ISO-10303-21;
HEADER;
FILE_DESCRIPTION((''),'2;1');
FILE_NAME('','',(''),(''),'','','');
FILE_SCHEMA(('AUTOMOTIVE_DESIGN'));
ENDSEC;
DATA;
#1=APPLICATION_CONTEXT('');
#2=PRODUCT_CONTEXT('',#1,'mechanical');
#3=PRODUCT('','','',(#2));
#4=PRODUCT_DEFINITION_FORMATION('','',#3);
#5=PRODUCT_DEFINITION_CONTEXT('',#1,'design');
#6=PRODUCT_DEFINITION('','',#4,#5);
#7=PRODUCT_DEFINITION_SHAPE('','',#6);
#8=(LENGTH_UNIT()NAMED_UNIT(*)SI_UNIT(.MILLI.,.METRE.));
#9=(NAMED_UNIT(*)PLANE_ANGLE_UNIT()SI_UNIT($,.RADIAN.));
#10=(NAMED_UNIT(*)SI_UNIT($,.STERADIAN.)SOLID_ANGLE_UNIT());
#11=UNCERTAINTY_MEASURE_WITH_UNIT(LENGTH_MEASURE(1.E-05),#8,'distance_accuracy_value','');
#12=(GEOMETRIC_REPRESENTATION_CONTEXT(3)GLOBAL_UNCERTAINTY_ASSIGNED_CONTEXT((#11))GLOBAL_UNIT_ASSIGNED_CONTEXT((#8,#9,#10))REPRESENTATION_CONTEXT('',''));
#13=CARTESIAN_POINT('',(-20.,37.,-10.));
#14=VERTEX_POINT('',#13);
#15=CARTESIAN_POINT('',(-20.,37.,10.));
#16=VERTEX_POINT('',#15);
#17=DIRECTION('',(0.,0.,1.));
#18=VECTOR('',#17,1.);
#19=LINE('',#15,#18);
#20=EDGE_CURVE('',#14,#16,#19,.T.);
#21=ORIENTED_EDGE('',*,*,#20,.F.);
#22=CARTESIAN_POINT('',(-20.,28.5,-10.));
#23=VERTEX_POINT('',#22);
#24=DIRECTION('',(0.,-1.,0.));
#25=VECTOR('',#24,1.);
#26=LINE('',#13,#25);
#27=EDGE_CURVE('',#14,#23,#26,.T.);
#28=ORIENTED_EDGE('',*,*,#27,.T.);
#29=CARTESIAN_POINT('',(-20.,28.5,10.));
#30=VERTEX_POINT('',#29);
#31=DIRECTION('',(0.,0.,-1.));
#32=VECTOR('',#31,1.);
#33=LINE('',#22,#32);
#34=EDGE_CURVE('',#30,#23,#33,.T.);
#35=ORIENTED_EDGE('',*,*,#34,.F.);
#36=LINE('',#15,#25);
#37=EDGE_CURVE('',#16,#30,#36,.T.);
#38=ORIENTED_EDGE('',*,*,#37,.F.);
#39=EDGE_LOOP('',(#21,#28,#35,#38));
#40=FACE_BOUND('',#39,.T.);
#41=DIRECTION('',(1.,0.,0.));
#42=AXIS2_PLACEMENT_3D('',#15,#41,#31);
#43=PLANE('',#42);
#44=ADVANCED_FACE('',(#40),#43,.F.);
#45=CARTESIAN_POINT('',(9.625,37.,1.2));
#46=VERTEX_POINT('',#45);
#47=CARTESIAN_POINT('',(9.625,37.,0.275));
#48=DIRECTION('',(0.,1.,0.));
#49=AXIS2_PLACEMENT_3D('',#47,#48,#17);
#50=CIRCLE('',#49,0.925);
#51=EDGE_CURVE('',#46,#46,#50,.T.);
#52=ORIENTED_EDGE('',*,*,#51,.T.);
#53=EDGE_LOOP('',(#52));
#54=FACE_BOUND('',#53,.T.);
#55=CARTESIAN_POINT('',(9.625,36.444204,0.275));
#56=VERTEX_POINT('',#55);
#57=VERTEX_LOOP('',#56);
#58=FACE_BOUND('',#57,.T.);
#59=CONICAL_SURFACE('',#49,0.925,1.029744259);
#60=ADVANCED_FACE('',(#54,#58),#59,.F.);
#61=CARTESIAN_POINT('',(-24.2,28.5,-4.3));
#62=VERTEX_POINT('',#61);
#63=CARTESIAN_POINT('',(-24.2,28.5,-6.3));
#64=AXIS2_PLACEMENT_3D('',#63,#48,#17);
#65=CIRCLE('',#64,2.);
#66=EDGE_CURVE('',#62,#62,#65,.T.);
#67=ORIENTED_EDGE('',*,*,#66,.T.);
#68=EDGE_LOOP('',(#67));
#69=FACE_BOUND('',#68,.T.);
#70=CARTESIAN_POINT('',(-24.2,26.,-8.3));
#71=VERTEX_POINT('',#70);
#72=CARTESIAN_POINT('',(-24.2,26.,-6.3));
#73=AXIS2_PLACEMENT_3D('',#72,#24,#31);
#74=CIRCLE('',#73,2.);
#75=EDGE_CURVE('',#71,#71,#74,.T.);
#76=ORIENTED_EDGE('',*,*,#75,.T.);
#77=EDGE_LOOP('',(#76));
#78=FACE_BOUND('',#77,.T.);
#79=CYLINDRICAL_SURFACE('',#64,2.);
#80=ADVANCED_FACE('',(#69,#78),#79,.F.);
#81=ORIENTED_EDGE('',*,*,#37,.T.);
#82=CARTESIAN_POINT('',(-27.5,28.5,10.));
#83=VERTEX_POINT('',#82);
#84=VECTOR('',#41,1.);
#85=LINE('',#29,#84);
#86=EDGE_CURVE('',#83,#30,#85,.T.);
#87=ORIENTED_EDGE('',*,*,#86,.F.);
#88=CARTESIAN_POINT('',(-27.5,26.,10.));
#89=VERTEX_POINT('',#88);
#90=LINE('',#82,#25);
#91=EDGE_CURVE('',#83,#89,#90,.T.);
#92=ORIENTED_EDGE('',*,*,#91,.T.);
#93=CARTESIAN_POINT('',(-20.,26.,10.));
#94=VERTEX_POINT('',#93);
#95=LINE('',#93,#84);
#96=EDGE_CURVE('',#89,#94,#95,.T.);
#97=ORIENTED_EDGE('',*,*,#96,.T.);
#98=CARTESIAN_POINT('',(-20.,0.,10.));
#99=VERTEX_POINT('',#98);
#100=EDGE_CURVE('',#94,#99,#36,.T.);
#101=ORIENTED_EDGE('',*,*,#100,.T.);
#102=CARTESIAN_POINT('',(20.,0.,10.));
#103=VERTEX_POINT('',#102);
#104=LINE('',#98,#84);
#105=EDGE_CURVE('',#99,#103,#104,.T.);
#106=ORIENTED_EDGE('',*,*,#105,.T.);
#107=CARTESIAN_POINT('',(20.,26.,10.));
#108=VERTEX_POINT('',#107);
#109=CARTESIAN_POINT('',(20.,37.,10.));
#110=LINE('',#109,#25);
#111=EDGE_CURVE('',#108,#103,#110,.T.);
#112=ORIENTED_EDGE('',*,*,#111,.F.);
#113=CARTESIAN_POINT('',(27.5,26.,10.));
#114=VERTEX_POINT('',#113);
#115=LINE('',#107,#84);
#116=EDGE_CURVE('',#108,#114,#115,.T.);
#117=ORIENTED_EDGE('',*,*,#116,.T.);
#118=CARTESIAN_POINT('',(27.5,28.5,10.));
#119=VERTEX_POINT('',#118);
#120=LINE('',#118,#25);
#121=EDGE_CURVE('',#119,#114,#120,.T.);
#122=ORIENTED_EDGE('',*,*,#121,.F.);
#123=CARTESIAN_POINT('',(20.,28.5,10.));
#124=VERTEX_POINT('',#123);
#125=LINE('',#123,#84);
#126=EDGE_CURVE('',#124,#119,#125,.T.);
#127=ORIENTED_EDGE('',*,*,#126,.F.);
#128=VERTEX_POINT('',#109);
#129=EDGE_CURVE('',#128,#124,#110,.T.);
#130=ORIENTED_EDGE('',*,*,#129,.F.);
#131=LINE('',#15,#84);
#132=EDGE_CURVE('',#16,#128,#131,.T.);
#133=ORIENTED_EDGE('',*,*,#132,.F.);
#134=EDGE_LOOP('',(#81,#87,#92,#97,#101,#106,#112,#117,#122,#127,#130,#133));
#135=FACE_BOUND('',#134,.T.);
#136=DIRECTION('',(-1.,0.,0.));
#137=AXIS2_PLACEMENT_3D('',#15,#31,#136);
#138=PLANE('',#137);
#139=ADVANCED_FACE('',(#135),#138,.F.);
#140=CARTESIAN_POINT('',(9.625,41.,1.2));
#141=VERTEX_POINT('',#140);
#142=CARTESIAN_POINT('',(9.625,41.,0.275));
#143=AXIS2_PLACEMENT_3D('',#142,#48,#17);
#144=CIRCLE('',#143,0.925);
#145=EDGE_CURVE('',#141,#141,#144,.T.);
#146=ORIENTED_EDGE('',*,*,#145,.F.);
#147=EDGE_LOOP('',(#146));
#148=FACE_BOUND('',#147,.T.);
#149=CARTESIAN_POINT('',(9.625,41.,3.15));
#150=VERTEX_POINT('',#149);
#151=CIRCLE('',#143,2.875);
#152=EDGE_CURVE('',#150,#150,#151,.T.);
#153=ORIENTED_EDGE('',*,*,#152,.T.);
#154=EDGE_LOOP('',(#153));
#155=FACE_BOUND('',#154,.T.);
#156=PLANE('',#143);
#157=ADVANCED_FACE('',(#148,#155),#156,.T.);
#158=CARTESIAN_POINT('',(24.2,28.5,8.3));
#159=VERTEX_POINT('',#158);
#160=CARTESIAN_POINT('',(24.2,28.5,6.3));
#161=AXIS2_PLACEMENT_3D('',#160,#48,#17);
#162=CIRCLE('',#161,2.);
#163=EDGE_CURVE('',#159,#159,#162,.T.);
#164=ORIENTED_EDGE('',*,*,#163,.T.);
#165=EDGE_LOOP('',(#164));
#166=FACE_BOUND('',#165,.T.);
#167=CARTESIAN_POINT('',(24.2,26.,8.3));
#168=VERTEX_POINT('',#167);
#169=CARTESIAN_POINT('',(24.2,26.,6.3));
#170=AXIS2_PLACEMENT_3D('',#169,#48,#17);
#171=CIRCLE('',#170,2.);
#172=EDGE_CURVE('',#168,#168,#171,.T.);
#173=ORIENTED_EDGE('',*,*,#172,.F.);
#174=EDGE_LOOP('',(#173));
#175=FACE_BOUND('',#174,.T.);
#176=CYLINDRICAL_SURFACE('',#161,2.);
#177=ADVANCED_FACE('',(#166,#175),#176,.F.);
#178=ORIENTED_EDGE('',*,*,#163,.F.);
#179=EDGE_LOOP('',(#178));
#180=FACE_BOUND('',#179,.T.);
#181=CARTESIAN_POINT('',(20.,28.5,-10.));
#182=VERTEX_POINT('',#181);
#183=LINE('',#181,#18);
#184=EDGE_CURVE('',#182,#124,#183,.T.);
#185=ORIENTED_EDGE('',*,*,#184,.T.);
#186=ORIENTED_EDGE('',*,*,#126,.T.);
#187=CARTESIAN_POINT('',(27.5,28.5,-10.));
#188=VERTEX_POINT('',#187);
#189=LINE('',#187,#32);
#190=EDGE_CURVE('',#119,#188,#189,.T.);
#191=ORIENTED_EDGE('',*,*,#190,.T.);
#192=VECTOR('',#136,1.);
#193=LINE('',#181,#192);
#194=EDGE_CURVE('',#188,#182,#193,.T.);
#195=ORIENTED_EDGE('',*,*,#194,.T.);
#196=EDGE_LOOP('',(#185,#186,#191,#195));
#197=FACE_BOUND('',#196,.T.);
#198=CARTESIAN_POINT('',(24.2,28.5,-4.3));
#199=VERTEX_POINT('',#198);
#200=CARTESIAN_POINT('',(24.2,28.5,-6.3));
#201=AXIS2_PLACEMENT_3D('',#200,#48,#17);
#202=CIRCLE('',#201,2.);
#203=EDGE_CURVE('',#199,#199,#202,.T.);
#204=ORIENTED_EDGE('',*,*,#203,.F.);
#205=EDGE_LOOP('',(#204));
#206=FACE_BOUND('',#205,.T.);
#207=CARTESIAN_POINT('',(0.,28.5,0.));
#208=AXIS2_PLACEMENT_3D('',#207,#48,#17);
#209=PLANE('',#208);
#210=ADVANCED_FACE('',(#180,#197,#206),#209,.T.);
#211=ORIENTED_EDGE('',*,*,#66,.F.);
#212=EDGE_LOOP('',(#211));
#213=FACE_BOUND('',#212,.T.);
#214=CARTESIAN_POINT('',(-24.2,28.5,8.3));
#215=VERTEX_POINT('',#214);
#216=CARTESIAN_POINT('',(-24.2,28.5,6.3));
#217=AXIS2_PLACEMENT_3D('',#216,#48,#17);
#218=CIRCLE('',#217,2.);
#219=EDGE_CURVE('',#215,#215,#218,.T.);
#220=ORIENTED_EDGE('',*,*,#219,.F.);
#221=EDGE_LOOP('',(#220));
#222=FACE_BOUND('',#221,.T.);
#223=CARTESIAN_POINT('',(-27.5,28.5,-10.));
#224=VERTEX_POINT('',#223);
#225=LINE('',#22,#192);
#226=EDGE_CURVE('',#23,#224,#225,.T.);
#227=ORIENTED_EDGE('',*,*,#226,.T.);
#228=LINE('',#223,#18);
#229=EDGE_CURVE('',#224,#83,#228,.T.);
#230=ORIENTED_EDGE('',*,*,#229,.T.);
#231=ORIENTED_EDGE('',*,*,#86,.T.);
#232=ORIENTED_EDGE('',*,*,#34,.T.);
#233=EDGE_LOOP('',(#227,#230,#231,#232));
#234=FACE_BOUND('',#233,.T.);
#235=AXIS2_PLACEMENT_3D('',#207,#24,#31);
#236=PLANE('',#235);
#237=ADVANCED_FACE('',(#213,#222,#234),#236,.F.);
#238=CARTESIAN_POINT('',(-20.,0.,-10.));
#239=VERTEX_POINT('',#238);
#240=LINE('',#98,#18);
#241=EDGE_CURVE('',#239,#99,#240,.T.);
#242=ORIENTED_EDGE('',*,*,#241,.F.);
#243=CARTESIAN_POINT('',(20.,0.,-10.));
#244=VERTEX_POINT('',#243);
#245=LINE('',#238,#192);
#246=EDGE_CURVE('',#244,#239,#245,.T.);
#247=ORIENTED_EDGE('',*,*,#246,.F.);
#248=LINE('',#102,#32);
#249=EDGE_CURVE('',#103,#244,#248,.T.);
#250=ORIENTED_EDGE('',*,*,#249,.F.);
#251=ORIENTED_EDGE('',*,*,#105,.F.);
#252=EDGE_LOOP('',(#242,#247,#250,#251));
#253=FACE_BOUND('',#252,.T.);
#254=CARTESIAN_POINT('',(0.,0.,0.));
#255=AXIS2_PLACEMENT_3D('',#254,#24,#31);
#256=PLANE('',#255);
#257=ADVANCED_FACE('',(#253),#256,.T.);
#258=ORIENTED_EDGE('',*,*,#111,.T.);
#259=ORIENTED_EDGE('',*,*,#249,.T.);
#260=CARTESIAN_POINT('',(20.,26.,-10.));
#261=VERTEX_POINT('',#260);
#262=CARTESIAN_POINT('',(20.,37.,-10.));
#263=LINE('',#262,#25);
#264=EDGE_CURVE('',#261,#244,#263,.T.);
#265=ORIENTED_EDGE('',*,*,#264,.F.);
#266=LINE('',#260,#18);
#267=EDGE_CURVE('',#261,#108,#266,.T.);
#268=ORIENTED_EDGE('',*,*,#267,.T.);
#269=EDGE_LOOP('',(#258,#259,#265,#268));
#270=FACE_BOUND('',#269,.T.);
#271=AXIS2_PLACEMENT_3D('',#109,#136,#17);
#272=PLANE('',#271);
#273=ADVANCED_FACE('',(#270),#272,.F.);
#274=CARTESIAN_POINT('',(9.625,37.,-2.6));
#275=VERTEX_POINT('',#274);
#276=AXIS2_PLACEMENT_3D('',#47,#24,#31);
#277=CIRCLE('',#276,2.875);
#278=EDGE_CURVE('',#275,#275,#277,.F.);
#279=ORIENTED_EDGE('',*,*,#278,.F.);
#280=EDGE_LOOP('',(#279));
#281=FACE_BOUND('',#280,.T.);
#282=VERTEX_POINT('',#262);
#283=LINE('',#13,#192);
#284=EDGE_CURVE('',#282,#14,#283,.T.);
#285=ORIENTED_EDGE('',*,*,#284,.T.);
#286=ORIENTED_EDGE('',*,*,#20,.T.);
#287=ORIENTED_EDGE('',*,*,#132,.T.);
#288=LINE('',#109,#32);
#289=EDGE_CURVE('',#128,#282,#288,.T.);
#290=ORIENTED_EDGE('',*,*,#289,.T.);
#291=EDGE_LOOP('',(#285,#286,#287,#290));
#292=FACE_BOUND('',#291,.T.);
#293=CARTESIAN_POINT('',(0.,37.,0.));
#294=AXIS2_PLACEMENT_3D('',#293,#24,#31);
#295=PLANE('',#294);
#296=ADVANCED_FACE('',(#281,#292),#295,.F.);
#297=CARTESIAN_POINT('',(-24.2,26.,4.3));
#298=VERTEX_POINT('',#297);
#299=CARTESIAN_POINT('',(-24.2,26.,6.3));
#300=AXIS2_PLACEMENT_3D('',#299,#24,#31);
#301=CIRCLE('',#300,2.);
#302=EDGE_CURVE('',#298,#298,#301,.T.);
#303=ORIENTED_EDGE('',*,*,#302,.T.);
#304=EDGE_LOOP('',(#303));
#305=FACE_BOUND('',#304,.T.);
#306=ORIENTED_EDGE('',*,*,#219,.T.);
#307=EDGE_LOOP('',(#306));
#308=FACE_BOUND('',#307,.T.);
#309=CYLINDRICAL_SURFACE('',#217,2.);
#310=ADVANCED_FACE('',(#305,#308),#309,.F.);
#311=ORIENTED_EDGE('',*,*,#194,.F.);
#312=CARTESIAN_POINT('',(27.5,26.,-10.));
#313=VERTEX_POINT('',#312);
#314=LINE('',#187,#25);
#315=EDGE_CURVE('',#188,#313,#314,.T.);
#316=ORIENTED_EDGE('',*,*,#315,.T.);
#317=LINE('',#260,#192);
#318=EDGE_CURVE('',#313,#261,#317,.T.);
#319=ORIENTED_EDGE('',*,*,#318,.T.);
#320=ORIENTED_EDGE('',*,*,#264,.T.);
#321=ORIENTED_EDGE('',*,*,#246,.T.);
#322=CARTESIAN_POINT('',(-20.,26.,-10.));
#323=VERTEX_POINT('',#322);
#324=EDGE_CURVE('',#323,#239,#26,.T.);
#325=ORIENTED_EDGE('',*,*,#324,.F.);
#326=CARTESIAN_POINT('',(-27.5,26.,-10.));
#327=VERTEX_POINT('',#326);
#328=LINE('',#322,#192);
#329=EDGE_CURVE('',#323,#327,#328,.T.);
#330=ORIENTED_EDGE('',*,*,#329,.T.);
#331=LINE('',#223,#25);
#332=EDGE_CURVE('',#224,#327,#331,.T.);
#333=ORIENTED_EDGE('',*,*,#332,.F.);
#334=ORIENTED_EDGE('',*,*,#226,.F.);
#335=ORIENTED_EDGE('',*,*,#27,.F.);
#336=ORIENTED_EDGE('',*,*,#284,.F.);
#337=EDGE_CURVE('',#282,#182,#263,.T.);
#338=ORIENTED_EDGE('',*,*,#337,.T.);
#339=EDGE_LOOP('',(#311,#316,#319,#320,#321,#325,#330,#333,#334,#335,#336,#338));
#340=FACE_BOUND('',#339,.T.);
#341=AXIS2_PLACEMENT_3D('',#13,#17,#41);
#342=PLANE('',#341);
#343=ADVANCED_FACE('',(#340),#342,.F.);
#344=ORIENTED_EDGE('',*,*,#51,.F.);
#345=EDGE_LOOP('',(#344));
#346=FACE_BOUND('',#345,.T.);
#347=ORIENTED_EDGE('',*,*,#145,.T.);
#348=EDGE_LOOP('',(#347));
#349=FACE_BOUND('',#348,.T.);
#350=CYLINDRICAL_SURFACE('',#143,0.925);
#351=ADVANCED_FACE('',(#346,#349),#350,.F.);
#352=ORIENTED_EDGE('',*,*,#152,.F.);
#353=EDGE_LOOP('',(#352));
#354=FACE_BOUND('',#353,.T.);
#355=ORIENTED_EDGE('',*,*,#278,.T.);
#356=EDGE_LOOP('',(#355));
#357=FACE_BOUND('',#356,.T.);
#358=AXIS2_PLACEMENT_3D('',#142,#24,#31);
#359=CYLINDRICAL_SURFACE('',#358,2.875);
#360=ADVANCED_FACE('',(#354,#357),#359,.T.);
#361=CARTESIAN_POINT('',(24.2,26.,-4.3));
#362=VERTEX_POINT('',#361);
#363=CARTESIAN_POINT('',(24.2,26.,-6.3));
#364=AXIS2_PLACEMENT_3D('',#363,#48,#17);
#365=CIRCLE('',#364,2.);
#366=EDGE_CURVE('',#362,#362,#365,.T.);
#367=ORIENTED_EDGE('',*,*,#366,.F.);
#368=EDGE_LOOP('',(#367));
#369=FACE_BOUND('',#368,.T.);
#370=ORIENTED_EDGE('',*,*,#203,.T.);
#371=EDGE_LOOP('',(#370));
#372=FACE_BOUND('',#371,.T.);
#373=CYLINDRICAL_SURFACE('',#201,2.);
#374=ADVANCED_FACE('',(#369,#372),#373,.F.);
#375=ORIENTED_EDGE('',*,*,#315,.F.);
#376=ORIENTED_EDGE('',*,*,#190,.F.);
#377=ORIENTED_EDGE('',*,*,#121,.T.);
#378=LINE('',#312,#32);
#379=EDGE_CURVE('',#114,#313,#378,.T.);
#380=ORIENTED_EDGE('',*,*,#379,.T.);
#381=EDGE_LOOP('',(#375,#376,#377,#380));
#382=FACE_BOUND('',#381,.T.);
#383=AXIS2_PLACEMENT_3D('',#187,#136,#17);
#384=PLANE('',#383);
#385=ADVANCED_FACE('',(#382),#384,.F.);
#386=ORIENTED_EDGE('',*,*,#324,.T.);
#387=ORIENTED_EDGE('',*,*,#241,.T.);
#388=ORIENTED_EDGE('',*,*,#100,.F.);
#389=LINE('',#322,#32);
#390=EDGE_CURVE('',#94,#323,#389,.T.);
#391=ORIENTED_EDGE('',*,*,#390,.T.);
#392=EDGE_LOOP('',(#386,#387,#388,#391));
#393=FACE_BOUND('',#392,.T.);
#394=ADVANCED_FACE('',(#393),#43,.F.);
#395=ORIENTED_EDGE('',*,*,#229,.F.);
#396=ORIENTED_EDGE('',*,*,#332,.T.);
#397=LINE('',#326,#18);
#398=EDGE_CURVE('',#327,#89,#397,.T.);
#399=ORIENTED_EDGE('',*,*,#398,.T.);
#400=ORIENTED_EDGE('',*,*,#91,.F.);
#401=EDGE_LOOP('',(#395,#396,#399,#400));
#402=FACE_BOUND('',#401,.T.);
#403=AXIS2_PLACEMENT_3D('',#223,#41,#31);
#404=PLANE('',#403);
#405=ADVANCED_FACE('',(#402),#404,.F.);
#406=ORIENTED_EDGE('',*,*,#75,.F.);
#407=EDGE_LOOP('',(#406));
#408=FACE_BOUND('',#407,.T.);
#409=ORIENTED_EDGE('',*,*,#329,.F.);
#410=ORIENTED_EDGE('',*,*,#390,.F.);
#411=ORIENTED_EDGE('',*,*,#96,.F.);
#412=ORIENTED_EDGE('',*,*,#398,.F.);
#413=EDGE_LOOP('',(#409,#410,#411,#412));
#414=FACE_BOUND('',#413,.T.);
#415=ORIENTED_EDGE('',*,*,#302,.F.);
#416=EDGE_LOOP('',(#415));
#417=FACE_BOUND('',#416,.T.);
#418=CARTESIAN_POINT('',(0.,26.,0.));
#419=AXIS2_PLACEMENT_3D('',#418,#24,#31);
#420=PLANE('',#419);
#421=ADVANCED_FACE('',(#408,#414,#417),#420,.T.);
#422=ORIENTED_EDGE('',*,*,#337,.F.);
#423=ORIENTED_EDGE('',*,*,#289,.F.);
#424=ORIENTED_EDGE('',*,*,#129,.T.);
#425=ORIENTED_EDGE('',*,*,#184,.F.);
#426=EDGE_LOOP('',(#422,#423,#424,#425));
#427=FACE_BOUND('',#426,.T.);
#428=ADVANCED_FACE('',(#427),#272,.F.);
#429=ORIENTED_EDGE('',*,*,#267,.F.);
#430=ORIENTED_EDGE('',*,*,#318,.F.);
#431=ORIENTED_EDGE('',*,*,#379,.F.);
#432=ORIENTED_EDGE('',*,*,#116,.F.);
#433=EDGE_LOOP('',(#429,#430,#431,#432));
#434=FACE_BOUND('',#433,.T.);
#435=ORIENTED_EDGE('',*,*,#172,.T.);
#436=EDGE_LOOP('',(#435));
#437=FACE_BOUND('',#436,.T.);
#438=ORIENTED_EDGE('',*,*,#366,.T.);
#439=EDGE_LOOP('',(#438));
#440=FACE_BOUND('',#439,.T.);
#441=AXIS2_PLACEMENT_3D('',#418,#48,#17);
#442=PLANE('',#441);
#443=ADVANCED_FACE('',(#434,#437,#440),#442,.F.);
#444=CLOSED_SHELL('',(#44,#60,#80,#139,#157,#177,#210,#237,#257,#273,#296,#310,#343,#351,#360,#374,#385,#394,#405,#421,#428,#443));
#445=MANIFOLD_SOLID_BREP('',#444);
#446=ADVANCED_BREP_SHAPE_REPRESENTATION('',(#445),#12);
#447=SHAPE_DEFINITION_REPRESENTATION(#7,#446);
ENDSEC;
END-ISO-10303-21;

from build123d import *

# Parameters (mm, degrees)
SKETCH1_W                        = 40
SKETCH1_H                        = 20
BOSS_EXTRUDE1_DEPTH              = 37
SKETCH2_W                        = 7.5
SKETCH2_H                        = 20
BOSS_EXTRUDE2_DEPTH              = 2.5
F_4_0_4_DIAMETER_HOLE1_D         = 4
SKETCH5_R                        = 2.875
BOSS_EXTRUDE3_DEPTH              = 4
F_1_85_1_85_DIAMETER_HOLE1_D     = 1.85
F_1_85_1_85_DIAMETER_HOLE1_DEPTH = 4
F_1_85_1_85_DIAMETER_HOLE1_TIP   = 0.555796073


with BuildPart() as part:
    # Sketch1 → Boss-Extrude1 (new body)
    with BuildSketch(Plane(origin=(0, 0, 0), x_dir=(1, 0, 0), z_dir=(0, 1, 0))):
        Rectangle(SKETCH1_W, SKETCH1_H)
    extrude(amount=BOSS_EXTRUDE1_DEPTH)

    # Sketch2 → Boss-Extrude2 (add)
    with BuildSketch(Plane(origin=(0, 26, 0), x_dir=(1, 0, 0), z_dir=(0, 1, 0))):
        with Locations((23.75, 0)):
            Rectangle(SKETCH2_W, SKETCH2_H)
        with Locations((-23.75, 0)):
            Rectangle(SKETCH2_W, SKETCH2_H)
    extrude(amount=BOSS_EXTRUDE2_DEPTH)

    # Ø4.0 (4) Diameter Hole1 (through all)
    with Locations(Plane(origin=(0, 28.5, 0), x_dir=(1, 0, 0), z_dir=(0, 1, 0))):
        with Locations((-24.2, -6.3), (-24.2, 6.3), (24.2, 6.3), (24.2, -6.3)):
            Hole(F_4_0_4_DIAMETER_HOLE1_D / 2)

    # Sketch5 → Boss-Extrude3 (add)
    with BuildSketch(Plane(origin=(0, 37, 0), x_dir=(1, 0, 0), z_dir=(0, 1, 0))):
        with Locations(Location((9.625, -0.275, 0), (0, 0, 90))):
            Circle(SKETCH5_R)
    extrude(amount=BOSS_EXTRUDE3_DEPTH)

    # Ø1.85 (1.85) Diameter Hole1
    with Locations(Plane(origin=(0, 41, 0), x_dir=(1, 0, 0), z_dir=(0, 1, 0))):
        with Locations((9.625, -0.275)):
            Hole(F_1_85_1_85_DIAMETER_HOLE1_D / 2, depth=F_1_85_1_85_DIAMETER_HOLE1_DEPTH)
            with Locations((0, 0, -(F_1_85_1_85_DIAMETER_HOLE1_DEPTH + F_1_85_1_85_DIAMETER_HOLE1_TIP / 2))):  # 118° drill point
                Cone(0, F_1_85_1_85_DIAMETER_HOLE1_D / 2, F_1_85_1_85_DIAMETER_HOLE1_TIP, mode=Mode.SUBTRACT)


solid = part.part
